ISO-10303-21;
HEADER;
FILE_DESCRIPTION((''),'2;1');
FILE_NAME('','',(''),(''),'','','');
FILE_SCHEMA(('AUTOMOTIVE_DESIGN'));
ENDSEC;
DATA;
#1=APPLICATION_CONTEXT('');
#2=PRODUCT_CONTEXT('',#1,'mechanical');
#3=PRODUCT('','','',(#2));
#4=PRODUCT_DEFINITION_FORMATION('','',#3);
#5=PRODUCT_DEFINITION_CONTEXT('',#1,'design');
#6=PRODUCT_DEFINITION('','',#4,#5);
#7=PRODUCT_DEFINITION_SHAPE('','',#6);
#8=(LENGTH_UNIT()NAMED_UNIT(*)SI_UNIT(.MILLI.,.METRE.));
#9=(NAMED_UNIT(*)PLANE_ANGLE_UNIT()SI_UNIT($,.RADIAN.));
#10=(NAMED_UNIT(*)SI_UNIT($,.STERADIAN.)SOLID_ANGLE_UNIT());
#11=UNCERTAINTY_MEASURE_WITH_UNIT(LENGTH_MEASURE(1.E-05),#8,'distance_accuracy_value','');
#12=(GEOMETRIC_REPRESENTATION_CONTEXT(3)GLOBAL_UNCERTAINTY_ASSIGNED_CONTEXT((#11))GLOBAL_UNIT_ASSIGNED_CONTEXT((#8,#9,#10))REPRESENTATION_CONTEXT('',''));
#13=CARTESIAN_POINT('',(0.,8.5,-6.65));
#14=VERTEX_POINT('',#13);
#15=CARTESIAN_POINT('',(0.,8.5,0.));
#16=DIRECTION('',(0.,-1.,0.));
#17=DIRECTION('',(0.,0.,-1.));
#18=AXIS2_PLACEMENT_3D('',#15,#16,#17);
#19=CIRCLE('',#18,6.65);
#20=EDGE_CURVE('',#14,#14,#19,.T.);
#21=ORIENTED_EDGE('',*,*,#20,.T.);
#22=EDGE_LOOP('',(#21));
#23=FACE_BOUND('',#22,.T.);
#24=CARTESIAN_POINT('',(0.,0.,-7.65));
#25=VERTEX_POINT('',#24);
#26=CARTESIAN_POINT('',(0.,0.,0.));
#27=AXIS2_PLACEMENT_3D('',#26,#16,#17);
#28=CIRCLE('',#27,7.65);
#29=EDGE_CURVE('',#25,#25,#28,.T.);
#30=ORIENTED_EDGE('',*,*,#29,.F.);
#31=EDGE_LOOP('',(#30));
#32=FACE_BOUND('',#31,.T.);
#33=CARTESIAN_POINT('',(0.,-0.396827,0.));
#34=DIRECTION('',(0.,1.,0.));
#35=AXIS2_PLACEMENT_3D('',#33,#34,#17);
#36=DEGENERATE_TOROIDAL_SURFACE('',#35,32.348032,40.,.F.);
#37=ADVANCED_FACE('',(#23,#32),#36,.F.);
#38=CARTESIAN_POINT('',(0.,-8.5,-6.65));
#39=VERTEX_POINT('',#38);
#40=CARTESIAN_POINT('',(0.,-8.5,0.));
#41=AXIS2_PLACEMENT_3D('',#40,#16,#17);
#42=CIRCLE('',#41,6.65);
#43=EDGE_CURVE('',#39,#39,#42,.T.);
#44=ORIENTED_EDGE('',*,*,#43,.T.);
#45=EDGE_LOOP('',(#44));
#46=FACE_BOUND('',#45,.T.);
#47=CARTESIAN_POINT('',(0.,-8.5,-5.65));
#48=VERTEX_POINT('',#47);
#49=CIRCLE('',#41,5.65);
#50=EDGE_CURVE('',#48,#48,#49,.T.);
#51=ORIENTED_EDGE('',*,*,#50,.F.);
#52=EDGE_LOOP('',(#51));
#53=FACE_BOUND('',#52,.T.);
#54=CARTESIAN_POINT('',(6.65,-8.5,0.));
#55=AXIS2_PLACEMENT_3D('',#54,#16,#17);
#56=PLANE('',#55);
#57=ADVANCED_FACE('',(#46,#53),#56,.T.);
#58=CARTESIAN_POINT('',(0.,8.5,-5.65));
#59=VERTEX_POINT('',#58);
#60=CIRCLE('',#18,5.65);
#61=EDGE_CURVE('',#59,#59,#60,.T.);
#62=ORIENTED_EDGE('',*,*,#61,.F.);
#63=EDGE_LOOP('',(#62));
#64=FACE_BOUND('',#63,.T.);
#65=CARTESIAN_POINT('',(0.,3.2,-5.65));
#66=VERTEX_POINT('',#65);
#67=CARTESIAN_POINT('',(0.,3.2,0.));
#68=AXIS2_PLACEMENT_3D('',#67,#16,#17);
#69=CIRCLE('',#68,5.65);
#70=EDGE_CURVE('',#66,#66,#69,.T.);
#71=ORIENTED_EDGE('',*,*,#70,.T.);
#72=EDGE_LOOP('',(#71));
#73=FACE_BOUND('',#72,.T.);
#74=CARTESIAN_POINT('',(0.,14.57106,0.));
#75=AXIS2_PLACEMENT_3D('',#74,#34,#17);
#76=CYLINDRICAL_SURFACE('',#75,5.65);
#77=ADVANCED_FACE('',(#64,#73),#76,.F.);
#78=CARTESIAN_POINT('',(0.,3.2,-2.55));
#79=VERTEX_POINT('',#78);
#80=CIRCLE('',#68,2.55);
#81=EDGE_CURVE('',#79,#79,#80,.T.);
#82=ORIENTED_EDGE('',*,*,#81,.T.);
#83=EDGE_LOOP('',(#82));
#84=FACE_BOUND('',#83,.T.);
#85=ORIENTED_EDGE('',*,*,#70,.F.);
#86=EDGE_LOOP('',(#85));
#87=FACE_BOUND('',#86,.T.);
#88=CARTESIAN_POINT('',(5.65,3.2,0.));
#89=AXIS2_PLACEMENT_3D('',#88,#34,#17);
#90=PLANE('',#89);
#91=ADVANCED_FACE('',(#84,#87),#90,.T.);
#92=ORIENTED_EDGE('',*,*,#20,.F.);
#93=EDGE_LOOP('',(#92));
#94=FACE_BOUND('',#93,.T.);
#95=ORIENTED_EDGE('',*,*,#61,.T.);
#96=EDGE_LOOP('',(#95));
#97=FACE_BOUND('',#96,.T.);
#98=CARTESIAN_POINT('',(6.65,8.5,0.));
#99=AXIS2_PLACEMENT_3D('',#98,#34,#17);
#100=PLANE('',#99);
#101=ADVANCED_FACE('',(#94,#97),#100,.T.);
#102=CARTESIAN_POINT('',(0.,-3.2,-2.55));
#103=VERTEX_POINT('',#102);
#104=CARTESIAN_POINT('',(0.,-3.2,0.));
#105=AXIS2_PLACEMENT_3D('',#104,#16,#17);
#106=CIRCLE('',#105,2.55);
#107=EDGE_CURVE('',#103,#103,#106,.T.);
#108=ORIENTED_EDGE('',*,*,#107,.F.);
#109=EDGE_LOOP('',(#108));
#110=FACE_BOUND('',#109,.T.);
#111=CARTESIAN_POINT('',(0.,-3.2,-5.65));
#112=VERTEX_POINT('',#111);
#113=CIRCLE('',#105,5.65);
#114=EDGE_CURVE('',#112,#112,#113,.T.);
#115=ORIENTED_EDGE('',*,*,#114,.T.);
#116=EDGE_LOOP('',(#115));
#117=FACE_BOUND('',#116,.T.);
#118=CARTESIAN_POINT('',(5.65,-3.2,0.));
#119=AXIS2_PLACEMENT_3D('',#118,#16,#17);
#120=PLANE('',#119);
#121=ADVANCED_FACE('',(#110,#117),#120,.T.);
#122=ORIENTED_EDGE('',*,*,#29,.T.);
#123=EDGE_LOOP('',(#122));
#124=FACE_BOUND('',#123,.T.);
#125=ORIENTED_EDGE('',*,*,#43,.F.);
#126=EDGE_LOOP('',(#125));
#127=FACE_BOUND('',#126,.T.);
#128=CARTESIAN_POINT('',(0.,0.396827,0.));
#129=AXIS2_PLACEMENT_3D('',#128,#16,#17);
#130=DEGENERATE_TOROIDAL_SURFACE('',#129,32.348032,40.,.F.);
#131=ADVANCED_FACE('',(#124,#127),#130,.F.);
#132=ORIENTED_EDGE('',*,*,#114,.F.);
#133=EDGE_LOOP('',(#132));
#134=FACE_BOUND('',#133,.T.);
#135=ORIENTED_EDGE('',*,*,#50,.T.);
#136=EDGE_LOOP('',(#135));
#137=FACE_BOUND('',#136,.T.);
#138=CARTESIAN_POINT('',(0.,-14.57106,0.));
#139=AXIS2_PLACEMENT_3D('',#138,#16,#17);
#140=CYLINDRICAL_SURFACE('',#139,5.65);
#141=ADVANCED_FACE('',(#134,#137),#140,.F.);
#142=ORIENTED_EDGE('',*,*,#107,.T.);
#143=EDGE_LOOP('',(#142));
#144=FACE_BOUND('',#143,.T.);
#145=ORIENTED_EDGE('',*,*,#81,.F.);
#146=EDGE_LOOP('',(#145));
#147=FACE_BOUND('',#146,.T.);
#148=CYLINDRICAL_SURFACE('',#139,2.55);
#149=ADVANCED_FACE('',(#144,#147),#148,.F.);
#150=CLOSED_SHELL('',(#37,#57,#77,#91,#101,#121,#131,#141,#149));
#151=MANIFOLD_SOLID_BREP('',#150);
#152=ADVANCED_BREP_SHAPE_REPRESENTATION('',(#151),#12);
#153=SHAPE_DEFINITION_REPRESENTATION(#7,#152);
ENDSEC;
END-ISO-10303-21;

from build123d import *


with BuildPart() as part:
    # Sketch1 → Revolve1 (revolve)
    with BuildSketch(Plane.XY, mode=Mode.PRIVATE) as revolve1_sk:
        with BuildLine():
            Line((5.65, -3.2), (2.55, -3.2))
            Line((2.55, -3.2), (2.55, 0))
            Line((2.55, 0), (7.65, 0))
            ThreePointArc((7.65, 0), (7.37799262, -4.276822661), (6.65, -8.5))
            Line((6.65, -8.5), (5.65, -8.5))
            Line((5.65, -8.5), (5.65, -3.2))
        make_face()
    revolve1 = revolve(revolve1_sk.sketch.rotate(Axis((0, -14.57105974, 0), (0, 1, 0)), 90), axis=Axis((0, -14.57105974, 0), (0, 1, 0)))

    # Mirror1: Revolve1 across plane
    add(revolve1.mirror(Plane(origin=(2.55, 0, 0), x_dir=(0, 0, 1), z_dir=(0, 1, 0))))


solid = part.part
